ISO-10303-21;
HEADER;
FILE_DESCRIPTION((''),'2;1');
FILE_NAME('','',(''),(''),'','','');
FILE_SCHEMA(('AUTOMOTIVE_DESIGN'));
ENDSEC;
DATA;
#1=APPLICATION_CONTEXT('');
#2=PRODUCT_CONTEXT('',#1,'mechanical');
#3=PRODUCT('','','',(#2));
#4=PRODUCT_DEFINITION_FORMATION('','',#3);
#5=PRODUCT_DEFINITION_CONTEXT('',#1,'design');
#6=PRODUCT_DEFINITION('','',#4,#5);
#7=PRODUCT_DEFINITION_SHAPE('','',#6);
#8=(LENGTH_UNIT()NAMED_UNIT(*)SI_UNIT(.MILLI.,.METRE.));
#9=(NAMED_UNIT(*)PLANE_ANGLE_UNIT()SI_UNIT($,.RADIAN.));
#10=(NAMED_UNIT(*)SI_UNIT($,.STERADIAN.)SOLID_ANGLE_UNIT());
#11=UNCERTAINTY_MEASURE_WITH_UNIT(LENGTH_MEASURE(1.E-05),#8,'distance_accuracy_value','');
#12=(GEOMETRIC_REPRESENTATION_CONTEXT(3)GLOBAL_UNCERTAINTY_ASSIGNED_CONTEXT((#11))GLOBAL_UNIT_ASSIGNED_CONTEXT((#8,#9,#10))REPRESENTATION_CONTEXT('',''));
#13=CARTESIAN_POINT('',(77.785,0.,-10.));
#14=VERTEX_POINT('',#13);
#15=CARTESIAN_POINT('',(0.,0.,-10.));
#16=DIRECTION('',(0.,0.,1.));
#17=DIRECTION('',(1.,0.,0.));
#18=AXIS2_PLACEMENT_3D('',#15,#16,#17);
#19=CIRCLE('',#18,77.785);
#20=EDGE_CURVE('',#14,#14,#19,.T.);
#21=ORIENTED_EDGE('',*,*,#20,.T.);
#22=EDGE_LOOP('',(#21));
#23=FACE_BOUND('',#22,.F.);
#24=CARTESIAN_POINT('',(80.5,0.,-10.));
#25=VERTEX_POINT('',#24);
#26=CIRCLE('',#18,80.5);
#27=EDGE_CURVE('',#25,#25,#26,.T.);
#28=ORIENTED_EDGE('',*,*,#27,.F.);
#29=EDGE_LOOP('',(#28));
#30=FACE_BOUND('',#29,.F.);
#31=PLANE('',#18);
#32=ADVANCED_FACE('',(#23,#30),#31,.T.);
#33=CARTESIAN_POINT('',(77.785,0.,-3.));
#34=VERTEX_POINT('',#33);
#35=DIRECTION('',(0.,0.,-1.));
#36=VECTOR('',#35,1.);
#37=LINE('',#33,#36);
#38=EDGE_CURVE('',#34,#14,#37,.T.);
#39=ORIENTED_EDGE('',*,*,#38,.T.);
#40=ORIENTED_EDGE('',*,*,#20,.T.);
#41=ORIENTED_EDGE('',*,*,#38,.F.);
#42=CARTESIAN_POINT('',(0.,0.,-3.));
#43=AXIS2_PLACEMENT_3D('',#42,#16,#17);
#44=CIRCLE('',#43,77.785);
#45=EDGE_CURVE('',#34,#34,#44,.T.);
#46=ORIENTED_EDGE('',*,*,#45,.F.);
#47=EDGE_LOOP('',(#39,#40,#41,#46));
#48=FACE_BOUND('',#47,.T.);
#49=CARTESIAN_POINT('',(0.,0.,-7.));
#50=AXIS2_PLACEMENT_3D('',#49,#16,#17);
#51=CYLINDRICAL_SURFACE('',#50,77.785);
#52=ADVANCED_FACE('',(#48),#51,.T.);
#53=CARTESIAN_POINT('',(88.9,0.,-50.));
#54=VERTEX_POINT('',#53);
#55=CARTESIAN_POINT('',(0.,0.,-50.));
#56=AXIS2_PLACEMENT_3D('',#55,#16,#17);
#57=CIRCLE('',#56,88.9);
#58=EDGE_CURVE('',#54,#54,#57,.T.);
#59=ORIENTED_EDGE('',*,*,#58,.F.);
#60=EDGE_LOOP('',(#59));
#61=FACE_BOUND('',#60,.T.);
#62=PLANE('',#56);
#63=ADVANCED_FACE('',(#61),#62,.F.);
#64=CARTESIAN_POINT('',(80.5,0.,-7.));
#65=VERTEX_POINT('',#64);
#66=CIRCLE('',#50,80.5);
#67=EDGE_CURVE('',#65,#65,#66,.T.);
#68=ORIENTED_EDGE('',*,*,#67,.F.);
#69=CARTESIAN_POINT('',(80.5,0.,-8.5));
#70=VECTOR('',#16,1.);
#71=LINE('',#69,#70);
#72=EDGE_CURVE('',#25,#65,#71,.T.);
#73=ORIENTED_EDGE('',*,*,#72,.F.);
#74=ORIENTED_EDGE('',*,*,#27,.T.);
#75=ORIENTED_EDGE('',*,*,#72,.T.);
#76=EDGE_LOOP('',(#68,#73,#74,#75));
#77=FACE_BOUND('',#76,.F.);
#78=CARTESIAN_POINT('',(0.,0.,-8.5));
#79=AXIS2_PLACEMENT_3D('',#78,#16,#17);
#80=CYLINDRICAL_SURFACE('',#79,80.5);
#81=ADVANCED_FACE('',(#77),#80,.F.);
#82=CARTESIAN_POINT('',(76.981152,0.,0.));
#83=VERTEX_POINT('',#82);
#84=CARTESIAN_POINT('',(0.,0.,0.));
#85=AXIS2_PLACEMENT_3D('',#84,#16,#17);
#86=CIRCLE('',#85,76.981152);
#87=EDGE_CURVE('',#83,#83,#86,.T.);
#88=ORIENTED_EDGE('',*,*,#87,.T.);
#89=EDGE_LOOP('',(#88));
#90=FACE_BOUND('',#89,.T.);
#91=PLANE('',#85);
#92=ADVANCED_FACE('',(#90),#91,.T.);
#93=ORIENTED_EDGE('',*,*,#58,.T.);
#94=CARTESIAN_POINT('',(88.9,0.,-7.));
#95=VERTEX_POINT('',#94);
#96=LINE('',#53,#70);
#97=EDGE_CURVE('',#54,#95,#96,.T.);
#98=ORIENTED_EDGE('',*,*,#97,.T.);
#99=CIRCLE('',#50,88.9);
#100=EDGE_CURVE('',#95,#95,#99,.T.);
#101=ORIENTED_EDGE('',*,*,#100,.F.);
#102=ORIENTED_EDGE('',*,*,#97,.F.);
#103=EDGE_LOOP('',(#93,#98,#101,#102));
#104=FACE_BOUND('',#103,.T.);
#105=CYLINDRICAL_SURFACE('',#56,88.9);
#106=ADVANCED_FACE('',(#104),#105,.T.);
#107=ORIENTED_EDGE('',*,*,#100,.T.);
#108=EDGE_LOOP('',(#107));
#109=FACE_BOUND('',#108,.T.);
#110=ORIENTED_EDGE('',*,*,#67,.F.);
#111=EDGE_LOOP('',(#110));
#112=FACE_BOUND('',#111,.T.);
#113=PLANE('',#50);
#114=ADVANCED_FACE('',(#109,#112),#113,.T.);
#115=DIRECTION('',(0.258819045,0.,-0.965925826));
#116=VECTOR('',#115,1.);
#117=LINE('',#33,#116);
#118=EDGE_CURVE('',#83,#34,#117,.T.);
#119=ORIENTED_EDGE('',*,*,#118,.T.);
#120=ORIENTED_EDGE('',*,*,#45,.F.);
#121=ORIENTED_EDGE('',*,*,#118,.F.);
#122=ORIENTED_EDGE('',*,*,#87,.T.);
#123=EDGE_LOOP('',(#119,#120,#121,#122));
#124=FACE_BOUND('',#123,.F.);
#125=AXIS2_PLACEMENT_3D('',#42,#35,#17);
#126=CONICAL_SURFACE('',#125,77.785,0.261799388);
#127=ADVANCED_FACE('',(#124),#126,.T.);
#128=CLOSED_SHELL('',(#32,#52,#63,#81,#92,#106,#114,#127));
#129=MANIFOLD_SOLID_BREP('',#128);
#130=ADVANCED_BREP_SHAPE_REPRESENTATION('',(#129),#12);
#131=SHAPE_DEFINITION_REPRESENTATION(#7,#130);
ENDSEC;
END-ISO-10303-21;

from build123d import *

# Parameters (mm, degrees)
F2_SIZE2 = 3
F2_SIZE  = 0.8038475773
F3_W     = 2.715
F3_H     = 3


with BuildPart() as f1:
    # F0 (on Front) → F1 (revolve)
    with BuildSketch(Plane.XZ):
        Polygon((77.785, 0), (0, 0), (0, -50), (88.9, -50), (88.9, -7), (77.785, -7), align=None)
    revolve(axis=Axis((0, 0, -25), (0, 0, 1)))

    # F2
    f2_edges = [f1.edges().sort_by_distance(p)[0] for p in [
        (-77.785, 0, 0),
    ]]
    f2_side = f1.faces().sort_by_distance((0, 0, 0))[0]
    chamfer(f2_edges, length=F2_SIZE, length2=F2_SIZE2, reference=f2_side)

    # F3 (on Front) → F4 (revolve, cut)
    with BuildSketch(Plane.XZ):
        with Locations((79.1425, -8.5)):
            Rectangle(F3_W, F3_H)
    revolve(axis=Axis((0, 0, -8.4670595825), (0, 0, 1)), mode=Mode.SUBTRACT)


solid = f1.part
